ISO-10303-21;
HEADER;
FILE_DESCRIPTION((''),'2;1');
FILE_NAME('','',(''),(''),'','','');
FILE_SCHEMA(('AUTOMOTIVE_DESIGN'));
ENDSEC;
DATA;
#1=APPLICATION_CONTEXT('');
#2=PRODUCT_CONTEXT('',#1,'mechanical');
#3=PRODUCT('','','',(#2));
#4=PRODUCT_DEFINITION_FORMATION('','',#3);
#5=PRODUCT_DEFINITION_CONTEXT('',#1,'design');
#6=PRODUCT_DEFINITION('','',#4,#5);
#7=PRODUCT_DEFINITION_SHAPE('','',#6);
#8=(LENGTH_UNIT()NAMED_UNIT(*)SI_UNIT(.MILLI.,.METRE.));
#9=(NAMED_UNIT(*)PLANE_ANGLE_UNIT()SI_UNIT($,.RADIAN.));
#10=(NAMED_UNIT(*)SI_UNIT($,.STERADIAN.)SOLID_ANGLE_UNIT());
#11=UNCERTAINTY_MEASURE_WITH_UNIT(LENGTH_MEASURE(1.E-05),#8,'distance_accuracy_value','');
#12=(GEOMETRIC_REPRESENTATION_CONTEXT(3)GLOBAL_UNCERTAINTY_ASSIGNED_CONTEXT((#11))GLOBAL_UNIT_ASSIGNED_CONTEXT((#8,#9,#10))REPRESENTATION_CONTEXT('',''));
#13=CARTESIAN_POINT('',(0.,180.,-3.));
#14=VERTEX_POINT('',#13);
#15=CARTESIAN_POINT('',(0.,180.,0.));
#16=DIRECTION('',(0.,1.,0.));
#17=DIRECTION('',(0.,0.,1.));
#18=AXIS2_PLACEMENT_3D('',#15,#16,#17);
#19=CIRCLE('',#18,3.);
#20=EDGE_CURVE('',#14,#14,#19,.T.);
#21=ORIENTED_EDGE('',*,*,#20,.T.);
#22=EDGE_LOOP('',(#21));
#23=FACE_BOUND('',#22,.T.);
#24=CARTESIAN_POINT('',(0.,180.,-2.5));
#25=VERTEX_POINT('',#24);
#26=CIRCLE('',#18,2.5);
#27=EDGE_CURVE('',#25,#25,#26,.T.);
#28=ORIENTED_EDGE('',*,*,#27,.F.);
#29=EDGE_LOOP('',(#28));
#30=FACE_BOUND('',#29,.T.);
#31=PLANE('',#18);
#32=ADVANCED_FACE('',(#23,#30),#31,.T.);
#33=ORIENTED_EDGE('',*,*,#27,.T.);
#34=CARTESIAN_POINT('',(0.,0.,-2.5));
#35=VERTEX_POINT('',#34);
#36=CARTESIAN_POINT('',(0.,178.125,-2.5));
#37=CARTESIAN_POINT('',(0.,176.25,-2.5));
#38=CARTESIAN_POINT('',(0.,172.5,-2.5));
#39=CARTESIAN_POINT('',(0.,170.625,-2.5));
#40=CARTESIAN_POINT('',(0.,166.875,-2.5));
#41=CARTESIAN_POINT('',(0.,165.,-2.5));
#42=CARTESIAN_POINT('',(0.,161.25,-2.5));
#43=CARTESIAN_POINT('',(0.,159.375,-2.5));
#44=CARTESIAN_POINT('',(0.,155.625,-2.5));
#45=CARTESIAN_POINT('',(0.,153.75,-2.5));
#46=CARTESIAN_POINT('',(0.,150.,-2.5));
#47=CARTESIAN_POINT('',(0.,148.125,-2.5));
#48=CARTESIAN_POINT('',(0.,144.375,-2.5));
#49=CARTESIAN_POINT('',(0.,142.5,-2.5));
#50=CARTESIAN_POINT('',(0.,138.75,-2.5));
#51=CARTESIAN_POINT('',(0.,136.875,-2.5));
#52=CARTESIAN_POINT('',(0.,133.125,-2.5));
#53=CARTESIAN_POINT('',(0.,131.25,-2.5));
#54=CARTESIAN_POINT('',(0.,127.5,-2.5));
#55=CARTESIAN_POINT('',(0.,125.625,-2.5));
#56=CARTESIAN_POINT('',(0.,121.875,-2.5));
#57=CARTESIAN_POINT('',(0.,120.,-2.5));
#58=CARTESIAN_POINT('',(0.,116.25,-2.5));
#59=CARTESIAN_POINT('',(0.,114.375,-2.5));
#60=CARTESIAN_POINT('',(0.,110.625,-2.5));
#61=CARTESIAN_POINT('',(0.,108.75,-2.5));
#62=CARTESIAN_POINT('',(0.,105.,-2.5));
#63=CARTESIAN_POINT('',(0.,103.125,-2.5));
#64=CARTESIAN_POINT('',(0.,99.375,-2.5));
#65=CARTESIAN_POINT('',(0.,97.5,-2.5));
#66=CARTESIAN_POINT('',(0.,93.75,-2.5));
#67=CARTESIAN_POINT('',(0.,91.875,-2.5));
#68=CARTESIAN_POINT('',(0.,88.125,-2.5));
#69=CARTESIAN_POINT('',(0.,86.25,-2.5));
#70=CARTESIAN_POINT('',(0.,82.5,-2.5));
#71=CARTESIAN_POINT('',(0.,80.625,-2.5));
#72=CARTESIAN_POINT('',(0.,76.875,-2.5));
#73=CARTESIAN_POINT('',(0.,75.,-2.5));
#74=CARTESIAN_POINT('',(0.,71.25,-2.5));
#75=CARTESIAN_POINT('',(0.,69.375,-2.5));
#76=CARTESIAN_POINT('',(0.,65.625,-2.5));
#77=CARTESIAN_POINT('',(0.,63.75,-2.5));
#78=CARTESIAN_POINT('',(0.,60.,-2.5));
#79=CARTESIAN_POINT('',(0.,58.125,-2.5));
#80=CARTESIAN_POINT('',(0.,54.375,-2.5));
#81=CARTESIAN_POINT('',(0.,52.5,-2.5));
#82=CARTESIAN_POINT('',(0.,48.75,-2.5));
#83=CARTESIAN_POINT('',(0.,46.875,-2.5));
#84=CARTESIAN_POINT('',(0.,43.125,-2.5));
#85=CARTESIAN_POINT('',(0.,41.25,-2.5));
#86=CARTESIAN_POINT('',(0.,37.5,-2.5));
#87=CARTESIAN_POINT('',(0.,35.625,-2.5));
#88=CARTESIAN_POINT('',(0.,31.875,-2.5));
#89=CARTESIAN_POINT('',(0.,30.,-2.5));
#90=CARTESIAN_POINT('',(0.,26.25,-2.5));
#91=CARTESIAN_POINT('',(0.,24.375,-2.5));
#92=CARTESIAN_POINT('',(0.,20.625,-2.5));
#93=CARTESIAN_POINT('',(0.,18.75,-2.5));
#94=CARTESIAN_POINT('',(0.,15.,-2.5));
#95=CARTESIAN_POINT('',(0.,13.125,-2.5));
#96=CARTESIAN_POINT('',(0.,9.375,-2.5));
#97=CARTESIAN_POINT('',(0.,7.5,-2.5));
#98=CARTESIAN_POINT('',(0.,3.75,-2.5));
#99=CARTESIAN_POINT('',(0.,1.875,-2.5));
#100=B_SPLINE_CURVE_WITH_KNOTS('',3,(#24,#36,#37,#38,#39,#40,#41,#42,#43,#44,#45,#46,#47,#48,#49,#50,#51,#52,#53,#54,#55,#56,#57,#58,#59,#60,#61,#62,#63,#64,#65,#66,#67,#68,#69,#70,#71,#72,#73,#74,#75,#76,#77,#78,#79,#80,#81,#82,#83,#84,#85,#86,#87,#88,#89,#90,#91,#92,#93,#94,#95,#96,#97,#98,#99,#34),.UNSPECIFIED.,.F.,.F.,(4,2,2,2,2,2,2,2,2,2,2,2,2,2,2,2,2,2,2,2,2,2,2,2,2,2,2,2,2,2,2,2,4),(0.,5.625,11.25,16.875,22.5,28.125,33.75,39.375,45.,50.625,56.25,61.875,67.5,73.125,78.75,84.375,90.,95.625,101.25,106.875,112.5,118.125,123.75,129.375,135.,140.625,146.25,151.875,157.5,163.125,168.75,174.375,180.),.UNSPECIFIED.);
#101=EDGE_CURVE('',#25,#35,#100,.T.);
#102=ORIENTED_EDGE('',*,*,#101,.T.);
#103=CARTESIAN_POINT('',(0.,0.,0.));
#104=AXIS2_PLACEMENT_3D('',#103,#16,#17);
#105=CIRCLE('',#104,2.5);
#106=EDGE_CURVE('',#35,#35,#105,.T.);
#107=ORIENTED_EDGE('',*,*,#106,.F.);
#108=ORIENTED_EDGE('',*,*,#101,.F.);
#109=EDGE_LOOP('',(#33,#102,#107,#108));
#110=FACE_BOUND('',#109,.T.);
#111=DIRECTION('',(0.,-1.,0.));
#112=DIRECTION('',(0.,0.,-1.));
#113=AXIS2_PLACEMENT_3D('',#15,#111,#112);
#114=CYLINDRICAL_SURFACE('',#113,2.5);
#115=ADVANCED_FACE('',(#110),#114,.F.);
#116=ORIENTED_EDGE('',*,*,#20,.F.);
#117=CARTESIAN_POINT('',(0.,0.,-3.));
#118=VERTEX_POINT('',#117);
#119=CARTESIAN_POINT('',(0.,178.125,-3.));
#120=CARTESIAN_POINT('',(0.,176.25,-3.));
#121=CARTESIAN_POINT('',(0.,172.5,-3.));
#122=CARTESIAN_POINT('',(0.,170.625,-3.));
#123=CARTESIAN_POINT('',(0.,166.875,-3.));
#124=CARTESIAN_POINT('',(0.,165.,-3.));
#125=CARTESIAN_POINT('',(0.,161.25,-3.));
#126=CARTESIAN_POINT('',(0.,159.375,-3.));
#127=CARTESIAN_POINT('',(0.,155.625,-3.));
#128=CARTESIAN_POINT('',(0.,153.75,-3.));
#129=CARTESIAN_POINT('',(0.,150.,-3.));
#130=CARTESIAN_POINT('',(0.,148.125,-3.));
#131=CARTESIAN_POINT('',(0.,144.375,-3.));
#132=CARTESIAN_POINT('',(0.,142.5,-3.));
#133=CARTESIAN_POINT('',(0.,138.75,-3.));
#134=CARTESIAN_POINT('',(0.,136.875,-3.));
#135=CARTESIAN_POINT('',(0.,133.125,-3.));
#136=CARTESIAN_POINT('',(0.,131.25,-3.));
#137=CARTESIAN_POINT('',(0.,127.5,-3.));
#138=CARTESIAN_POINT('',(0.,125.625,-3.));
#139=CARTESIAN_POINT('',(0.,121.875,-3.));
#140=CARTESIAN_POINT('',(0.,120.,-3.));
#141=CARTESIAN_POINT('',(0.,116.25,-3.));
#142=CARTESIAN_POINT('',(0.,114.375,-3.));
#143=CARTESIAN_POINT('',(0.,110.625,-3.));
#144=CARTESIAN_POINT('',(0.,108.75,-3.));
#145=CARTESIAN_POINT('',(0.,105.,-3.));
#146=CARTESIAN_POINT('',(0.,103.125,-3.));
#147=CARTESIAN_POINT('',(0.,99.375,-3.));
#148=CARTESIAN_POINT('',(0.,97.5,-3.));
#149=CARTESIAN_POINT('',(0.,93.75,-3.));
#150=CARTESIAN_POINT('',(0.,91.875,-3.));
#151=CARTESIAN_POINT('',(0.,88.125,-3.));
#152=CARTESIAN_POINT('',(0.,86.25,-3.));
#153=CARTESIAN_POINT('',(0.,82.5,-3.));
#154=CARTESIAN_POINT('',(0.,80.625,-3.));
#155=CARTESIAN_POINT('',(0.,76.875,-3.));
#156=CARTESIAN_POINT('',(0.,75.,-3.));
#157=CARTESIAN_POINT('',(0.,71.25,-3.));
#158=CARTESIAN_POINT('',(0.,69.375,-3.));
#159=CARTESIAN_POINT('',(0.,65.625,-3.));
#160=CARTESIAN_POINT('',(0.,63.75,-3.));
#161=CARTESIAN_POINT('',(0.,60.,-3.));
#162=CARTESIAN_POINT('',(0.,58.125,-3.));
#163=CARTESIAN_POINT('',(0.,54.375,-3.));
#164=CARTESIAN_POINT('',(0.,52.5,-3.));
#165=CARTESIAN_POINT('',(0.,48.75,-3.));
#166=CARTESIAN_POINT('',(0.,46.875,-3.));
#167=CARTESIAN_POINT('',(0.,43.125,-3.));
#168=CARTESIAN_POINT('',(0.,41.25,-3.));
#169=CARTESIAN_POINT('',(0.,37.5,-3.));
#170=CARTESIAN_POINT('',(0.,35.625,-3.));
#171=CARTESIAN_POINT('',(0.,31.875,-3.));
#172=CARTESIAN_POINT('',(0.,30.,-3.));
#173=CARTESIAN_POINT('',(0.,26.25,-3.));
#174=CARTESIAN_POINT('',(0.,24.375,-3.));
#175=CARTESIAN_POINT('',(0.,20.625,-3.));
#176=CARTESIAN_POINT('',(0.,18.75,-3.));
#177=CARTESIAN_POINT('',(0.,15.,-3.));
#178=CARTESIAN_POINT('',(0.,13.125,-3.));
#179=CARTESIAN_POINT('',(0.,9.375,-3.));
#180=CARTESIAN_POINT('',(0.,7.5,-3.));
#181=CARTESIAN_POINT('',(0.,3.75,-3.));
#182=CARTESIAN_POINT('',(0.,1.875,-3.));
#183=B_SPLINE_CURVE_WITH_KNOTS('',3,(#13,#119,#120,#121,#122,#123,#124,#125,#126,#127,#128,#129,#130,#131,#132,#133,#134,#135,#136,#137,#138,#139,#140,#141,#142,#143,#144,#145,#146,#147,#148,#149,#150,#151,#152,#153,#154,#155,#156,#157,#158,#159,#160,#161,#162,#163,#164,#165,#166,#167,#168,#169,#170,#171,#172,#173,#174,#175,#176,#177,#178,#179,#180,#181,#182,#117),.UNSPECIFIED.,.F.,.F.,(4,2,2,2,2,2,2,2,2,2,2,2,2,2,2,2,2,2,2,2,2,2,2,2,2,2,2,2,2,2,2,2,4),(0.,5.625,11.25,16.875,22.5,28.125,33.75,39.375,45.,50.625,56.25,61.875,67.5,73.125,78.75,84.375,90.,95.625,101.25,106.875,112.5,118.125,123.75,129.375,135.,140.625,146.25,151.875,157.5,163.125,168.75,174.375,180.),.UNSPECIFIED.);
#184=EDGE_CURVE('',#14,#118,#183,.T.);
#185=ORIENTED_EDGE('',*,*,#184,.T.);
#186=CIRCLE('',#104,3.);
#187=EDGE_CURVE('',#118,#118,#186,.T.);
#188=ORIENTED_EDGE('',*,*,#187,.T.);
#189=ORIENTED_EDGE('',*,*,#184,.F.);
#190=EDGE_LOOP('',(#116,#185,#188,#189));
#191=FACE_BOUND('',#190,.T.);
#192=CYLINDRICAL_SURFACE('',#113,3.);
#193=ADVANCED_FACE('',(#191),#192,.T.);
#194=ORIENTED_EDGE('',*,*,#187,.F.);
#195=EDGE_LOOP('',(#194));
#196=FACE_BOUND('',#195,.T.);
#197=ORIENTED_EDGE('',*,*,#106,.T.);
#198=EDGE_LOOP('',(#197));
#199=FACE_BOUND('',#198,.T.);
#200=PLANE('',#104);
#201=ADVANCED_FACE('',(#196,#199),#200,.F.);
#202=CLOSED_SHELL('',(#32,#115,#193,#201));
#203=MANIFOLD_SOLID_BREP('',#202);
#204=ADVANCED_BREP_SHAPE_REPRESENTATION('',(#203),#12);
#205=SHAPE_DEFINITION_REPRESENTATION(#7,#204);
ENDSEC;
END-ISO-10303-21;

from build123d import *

# Parameters (mm, degrees)
SKETCH_1_R      = 3
SKETCH_1_R_2    = 2.5
EXTRUDE_1_DEPTH = 180


with BuildPart() as part:
    # 草图1 → 凸台-拉伸1 (new body)
    with BuildSketch(Plane(origin=(0, 0, 0), x_dir=(1, 0, 0), z_dir=(0, 1, 0))):
        with Locations(Location((0, 0, 0), (0, 0, 90))):
            Circle(SKETCH_1_R)
        with Locations(Location((0, 0, 0), (0, 0, 90))):
            Circle(SKETCH_1_R_2, mode=Mode.SUBTRACT)
    extrude(amount=EXTRUDE_1_DEPTH)


solid = part.part
